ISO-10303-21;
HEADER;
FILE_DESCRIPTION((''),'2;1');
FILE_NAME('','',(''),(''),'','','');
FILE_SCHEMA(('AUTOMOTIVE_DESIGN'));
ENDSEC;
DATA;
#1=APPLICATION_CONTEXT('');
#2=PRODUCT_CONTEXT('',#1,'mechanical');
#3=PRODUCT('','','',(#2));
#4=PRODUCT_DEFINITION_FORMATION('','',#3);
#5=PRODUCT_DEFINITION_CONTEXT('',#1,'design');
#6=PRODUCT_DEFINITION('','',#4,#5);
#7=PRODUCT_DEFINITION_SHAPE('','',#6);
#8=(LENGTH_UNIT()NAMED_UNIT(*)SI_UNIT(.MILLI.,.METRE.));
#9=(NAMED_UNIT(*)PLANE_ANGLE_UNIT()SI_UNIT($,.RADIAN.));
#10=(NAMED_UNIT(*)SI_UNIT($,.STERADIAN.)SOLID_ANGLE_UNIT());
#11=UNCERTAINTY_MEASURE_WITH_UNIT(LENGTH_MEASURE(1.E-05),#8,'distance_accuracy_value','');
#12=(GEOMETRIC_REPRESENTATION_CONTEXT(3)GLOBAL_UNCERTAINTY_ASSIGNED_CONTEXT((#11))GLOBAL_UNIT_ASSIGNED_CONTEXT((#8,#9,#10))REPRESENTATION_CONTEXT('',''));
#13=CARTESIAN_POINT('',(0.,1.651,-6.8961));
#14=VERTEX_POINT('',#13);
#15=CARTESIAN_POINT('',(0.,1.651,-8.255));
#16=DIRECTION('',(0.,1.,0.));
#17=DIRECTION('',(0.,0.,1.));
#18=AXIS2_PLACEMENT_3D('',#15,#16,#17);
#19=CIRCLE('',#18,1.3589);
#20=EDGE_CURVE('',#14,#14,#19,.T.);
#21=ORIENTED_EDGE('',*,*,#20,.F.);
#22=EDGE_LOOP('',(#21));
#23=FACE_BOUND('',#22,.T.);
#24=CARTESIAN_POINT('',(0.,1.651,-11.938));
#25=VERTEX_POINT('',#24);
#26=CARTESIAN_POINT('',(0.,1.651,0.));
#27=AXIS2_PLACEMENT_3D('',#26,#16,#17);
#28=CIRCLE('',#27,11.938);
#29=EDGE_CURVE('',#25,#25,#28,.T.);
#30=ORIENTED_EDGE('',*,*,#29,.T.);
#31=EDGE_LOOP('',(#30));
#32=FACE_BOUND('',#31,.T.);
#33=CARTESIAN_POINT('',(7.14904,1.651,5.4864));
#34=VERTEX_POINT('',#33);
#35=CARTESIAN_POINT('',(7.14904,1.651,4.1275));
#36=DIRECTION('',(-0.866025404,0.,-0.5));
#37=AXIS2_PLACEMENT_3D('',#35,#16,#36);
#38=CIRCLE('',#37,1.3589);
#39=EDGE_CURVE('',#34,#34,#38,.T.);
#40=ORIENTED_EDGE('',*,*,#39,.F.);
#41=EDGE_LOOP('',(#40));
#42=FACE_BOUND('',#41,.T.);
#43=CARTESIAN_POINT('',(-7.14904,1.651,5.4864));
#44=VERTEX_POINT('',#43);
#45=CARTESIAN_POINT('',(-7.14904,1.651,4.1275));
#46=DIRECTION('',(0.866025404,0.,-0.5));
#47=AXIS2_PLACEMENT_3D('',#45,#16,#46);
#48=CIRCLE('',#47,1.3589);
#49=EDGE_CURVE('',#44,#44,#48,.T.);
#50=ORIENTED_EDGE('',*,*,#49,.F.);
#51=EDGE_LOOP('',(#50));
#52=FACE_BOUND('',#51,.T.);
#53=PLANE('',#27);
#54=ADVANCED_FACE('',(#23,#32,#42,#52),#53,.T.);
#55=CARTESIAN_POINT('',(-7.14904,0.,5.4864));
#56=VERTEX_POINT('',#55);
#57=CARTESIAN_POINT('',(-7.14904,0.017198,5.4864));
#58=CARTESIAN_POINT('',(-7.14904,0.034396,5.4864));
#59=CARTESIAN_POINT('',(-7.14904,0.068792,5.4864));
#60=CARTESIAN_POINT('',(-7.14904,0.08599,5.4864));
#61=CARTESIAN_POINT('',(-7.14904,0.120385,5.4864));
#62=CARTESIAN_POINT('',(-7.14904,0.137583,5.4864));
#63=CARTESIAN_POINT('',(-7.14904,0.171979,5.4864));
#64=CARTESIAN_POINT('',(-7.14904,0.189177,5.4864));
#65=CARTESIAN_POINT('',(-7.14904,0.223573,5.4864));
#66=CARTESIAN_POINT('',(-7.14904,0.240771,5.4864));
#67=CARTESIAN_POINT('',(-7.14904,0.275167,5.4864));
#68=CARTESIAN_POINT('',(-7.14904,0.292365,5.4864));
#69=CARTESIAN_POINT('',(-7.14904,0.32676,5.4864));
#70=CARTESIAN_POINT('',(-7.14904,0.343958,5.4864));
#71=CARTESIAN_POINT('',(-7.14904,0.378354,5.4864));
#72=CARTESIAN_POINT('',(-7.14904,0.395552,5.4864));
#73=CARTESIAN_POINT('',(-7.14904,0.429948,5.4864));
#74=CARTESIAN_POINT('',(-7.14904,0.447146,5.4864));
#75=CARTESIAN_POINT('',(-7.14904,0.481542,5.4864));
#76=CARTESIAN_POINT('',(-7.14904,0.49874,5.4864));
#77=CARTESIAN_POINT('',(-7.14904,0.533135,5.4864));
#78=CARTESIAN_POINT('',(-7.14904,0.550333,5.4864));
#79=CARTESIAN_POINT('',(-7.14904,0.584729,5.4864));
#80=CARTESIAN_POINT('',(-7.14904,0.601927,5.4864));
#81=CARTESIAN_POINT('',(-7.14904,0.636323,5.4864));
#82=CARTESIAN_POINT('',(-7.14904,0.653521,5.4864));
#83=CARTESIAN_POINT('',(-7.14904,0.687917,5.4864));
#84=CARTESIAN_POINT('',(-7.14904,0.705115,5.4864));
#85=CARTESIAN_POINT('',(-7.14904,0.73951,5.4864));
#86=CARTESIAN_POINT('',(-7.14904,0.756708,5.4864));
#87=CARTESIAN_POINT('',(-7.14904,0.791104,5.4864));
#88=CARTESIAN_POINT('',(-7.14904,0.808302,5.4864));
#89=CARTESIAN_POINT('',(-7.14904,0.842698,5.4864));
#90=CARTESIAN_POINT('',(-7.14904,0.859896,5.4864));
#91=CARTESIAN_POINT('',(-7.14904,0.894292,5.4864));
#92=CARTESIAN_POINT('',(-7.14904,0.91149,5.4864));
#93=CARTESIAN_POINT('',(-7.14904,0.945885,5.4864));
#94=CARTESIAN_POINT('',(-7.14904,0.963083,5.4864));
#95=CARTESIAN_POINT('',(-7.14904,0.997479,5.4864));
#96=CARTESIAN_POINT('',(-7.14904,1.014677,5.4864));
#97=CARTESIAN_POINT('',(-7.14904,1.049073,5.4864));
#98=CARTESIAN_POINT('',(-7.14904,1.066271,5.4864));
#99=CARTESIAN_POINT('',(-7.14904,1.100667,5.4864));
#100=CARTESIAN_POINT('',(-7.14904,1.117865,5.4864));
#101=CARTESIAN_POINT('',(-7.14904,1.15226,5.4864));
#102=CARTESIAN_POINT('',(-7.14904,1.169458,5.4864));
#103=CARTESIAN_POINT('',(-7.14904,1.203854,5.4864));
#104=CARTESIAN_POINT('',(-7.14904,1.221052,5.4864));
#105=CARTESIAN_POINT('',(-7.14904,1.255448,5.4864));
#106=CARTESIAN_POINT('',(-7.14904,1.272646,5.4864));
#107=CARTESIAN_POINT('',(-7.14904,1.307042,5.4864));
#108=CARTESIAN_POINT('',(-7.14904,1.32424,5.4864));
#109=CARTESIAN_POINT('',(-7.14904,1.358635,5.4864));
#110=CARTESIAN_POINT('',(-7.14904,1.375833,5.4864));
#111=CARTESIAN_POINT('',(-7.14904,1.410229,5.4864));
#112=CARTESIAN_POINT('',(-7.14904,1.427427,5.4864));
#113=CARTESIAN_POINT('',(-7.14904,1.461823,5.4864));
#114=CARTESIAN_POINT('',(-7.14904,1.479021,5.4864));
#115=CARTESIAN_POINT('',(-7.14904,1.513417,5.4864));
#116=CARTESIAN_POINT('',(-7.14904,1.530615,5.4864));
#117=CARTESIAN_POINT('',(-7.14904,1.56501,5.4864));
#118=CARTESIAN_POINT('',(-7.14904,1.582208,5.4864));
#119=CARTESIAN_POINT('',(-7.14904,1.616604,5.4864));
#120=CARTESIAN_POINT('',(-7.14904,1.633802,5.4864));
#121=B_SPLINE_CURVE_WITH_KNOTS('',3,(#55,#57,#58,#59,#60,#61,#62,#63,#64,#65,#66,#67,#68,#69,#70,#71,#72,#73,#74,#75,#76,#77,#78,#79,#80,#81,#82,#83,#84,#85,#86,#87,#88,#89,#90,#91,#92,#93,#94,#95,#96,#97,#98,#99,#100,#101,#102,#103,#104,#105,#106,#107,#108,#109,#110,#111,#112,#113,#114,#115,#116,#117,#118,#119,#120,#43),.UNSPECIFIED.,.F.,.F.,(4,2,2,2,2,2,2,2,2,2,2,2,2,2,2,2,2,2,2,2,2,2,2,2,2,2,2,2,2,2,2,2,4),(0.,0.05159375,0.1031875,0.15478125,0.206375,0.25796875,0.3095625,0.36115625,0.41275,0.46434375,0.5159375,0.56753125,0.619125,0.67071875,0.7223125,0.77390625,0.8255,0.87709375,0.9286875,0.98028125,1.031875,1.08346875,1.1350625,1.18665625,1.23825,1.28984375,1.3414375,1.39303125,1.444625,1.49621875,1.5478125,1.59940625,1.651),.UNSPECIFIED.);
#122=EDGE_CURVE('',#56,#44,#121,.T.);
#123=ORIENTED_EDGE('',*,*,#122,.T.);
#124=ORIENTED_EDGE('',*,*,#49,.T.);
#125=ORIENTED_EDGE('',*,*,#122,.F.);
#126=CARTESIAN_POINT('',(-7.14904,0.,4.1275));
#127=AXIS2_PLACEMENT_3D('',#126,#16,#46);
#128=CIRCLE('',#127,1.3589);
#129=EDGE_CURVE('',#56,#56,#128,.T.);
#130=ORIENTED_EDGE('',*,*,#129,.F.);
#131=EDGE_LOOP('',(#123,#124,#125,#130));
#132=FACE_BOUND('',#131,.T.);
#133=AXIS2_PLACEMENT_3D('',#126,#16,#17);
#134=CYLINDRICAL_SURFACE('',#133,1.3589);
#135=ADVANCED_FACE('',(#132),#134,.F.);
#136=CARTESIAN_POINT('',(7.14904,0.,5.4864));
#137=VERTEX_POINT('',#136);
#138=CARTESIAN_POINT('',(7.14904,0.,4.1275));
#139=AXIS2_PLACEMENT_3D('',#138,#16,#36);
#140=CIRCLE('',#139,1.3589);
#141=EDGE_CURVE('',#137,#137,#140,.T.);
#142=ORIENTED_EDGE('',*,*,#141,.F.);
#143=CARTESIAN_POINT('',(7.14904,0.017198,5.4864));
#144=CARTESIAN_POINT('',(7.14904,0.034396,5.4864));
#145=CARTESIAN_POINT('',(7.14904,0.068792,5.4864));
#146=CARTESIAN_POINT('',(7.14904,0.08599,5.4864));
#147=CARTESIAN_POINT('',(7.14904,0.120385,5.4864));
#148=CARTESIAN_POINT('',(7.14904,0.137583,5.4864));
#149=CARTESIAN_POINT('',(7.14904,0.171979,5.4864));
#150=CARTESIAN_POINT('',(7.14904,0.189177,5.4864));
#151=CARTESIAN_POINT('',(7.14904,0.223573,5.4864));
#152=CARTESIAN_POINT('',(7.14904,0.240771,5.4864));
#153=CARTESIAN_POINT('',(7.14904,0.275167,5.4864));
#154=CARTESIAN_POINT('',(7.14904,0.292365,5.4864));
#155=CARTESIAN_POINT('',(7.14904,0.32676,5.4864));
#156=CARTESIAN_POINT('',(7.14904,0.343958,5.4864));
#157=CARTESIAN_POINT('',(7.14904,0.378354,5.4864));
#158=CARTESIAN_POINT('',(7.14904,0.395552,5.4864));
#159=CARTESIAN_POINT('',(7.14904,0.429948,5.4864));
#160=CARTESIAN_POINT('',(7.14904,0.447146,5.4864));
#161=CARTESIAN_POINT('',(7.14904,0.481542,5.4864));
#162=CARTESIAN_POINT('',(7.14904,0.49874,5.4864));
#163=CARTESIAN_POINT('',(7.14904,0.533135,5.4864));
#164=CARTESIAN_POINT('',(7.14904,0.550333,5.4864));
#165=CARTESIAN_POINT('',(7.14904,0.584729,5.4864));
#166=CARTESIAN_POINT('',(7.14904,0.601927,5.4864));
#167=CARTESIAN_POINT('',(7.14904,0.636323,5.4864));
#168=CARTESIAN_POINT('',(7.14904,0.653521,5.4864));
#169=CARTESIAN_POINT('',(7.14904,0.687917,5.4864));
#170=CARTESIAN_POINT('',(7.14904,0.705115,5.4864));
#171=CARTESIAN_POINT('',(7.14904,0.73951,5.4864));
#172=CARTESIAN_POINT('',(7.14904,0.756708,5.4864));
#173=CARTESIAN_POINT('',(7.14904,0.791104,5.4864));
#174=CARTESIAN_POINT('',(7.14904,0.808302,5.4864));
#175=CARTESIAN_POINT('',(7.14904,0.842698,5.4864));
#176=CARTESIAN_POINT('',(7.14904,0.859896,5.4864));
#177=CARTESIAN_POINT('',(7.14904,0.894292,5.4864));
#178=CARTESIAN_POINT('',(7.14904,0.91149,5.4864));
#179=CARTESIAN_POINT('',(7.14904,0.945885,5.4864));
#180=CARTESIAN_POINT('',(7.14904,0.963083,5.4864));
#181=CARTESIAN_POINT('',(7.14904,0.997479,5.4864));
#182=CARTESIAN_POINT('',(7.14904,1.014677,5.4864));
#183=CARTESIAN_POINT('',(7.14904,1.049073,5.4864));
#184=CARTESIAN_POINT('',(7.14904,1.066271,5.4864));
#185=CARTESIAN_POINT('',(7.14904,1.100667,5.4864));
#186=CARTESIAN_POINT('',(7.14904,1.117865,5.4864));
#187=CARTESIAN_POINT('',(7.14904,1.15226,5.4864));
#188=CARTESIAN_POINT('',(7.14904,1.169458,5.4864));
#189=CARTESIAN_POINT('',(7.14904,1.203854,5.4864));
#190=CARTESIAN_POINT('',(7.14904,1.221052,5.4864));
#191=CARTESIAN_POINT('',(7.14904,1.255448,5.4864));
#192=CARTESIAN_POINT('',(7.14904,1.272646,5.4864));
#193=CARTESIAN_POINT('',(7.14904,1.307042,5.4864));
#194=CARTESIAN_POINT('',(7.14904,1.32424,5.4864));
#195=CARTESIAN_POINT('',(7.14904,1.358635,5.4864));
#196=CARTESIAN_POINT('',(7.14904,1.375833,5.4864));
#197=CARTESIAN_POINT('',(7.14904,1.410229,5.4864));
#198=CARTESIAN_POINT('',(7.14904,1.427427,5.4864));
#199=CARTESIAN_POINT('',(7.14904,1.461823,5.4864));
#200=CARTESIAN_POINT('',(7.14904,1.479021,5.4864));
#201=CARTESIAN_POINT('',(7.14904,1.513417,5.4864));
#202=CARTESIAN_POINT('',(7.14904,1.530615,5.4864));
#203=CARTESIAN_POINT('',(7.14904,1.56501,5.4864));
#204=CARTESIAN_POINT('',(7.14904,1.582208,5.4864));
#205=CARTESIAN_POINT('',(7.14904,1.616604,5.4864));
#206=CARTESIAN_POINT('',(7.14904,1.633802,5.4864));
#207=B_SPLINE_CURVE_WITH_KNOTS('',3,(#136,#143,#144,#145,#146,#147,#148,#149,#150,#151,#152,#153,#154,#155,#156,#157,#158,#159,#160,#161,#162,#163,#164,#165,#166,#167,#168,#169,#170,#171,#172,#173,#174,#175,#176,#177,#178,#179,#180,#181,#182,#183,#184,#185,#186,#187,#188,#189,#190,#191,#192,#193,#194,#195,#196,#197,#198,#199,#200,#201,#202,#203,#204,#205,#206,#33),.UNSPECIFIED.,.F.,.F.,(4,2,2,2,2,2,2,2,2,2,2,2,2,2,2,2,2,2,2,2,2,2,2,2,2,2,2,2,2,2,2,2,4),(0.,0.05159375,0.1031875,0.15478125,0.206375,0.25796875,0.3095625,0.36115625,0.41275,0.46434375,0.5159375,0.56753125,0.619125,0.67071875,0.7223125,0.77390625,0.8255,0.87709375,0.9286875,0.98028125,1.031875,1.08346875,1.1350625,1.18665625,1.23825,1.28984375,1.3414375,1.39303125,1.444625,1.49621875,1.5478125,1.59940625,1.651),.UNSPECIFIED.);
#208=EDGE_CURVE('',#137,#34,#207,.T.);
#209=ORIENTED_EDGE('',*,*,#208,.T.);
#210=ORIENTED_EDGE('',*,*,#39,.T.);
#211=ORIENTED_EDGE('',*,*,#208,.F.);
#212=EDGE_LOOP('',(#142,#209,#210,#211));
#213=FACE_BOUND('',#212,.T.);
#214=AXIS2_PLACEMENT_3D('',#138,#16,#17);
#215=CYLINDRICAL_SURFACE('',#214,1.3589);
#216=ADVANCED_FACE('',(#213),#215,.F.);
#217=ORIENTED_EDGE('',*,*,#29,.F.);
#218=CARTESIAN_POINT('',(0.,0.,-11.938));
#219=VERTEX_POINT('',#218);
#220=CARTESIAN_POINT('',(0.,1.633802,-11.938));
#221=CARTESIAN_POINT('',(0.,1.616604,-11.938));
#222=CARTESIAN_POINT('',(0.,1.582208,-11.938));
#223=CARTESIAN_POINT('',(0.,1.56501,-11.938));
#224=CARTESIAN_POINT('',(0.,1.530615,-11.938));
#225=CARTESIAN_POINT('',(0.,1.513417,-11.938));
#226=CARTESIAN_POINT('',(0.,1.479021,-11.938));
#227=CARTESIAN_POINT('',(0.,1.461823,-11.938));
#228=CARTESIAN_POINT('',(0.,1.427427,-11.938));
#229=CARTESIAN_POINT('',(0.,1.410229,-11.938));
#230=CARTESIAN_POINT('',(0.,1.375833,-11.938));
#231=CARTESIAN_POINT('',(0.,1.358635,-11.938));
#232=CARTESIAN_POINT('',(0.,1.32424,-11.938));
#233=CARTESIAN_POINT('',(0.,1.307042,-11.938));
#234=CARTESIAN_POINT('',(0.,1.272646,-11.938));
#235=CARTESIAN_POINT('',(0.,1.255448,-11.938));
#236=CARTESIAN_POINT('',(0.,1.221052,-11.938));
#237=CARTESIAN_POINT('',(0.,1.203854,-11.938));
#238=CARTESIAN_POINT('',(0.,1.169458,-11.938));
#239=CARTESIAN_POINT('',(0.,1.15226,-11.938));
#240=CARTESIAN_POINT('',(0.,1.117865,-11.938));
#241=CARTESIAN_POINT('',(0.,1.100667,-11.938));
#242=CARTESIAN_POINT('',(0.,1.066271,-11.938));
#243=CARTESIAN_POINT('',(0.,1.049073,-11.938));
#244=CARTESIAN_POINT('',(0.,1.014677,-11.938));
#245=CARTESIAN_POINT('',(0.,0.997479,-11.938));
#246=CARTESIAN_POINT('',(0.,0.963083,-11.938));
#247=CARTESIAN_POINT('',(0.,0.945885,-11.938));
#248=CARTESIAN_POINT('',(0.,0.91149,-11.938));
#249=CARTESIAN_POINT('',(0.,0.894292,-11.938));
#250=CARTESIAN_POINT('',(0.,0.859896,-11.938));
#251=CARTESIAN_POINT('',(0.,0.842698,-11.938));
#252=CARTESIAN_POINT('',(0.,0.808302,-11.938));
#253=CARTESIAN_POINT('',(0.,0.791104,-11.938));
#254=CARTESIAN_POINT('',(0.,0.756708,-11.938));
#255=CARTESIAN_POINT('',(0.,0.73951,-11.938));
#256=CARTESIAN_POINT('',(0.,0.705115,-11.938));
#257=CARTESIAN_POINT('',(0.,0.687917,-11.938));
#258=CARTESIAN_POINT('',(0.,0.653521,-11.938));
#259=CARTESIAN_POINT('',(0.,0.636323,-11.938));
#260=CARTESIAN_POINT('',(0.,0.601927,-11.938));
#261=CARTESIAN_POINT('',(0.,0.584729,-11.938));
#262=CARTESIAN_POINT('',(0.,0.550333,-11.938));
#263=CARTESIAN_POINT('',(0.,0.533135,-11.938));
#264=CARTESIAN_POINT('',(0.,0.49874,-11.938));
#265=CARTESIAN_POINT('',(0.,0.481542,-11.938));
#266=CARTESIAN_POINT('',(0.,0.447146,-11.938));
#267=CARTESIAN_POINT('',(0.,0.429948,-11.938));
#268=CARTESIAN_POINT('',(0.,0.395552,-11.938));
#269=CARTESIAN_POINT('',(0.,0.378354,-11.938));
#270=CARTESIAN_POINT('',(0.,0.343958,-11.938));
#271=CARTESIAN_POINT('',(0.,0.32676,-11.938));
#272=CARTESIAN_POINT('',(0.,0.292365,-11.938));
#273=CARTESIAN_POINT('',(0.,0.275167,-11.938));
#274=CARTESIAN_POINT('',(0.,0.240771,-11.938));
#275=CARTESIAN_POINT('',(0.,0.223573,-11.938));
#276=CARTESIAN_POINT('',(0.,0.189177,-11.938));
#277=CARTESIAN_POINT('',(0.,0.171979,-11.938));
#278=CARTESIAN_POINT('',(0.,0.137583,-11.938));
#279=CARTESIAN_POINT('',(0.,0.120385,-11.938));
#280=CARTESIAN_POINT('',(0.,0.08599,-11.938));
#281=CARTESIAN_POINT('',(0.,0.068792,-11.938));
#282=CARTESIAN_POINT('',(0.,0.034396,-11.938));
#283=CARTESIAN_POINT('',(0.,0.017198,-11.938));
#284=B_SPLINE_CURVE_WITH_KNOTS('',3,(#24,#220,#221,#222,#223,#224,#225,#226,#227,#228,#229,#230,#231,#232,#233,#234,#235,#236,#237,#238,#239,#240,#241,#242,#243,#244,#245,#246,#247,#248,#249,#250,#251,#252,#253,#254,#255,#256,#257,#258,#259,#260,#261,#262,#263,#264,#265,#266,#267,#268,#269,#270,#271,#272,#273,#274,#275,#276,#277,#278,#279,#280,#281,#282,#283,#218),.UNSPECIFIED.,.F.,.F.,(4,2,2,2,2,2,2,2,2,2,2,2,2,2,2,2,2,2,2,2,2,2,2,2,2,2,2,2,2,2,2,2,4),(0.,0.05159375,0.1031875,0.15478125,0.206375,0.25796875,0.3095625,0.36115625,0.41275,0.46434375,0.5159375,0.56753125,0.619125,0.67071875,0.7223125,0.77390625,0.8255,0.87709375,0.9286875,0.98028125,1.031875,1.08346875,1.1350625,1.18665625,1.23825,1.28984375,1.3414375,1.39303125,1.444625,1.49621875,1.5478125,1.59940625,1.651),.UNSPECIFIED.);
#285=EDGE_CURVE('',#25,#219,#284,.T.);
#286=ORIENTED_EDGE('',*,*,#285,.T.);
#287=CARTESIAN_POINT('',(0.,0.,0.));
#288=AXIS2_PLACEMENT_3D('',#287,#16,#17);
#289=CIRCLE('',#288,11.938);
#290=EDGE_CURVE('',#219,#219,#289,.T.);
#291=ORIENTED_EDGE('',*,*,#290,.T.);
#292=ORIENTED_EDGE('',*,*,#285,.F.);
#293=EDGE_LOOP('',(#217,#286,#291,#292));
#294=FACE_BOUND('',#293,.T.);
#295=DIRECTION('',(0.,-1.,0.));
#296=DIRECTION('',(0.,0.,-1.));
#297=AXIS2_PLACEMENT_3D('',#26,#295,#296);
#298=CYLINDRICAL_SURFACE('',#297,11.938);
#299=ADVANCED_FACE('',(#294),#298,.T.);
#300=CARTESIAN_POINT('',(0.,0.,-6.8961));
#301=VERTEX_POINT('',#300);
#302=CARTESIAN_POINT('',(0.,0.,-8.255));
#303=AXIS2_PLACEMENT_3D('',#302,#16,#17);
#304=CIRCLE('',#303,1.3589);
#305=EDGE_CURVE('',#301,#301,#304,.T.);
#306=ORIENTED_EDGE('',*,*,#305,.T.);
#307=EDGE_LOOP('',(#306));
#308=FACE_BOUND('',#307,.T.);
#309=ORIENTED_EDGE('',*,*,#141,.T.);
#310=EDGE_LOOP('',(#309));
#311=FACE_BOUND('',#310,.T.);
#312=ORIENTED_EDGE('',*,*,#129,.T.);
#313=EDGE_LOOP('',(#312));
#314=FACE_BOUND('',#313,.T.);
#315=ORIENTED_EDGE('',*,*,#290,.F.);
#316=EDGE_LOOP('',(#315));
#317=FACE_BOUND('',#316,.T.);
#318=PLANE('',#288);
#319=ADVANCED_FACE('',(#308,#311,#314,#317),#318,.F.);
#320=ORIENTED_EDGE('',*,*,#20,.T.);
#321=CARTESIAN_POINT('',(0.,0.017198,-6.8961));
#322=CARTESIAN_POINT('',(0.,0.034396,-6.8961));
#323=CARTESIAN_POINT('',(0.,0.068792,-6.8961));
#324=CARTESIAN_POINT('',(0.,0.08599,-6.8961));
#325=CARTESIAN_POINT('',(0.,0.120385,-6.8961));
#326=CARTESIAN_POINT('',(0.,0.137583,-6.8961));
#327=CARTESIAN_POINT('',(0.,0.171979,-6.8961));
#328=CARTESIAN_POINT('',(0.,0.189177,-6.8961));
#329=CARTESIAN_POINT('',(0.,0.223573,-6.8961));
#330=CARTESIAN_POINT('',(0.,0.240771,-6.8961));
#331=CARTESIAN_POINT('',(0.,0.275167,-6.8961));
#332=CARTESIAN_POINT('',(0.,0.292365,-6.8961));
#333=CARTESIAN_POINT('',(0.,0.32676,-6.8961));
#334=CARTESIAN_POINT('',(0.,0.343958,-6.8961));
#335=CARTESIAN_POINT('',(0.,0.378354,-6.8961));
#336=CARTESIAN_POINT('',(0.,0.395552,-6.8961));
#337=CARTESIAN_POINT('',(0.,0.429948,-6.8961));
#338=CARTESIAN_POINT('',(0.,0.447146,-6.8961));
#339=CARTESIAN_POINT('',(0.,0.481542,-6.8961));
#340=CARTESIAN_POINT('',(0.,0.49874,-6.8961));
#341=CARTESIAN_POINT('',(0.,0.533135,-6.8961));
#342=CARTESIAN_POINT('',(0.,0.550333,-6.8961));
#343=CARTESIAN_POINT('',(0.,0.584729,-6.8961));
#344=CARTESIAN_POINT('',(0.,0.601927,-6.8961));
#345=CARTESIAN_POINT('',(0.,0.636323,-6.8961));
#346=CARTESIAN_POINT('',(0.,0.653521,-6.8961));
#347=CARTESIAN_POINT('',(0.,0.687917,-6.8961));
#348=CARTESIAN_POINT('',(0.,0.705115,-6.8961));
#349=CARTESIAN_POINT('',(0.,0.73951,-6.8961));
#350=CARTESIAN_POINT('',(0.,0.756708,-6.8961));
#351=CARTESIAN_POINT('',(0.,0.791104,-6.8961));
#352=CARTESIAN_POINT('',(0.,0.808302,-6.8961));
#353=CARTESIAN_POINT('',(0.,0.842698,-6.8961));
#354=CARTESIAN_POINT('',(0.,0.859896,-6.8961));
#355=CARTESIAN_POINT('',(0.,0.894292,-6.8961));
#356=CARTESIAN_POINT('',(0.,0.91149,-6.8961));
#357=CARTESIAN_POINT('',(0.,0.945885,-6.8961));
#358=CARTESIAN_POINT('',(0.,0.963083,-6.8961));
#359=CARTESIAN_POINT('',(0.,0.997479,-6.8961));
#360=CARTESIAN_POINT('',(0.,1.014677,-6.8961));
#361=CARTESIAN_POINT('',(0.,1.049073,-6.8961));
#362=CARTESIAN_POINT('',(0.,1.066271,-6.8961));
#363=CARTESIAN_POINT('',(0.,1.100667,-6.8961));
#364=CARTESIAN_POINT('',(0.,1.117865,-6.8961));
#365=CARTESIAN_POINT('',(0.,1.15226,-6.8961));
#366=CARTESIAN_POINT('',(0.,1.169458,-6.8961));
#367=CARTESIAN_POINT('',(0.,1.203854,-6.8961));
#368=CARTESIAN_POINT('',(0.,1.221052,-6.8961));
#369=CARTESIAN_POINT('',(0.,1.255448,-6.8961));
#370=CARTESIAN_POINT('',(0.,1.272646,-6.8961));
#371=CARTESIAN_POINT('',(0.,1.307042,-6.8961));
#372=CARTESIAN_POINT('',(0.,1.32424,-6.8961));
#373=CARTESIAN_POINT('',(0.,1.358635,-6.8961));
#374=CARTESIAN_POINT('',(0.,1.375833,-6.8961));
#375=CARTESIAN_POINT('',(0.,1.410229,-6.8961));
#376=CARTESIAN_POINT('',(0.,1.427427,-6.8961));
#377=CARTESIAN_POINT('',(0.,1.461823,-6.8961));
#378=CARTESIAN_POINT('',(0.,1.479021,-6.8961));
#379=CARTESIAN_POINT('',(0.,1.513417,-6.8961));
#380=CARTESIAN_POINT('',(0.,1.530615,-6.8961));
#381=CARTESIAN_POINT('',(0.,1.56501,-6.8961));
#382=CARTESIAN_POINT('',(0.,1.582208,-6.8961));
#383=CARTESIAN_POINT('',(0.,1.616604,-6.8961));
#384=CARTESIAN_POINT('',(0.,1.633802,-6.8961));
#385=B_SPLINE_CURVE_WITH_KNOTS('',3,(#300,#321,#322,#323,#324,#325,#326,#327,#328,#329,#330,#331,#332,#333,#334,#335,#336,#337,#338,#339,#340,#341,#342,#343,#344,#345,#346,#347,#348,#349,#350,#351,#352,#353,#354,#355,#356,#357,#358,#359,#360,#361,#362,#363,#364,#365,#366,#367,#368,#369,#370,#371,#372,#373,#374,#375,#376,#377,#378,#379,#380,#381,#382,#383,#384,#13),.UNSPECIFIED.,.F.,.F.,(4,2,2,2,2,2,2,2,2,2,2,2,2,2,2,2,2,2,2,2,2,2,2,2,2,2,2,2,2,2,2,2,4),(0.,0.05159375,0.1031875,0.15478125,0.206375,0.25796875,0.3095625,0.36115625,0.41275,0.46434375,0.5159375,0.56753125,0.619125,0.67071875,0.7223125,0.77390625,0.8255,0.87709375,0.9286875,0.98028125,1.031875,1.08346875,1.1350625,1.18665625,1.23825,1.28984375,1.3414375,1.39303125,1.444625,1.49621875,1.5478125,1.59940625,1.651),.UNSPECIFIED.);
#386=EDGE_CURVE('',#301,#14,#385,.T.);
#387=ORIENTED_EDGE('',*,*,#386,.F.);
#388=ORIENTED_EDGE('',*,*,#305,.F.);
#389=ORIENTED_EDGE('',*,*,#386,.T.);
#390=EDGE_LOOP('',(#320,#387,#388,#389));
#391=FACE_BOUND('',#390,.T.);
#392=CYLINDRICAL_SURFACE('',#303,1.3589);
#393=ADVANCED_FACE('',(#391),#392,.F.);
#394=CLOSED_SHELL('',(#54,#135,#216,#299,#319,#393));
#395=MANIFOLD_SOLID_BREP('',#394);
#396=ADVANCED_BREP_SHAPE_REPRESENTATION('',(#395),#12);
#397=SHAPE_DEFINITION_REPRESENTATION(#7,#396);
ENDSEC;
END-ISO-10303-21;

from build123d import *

# Parameters (mm, degrees)
SKETCH1_R           = 11.938
BOSS_EXTRUDE1_DEPTH = 1.651
SKETCH2_R           = 1.3589
CUT_EXTRUDE1_DEPTH  = 1.651
CIRPATTERN1_COUNT   = 3


with BuildPart() as part:
    # Sketch1 → Boss-Extrude1 (new body)
    with BuildSketch(Plane(origin=(0, 0, 0), x_dir=(1, 0, 0), z_dir=(0, 1, 0))):
        with Locations(Location((0, 0, 0), (0, 0, 90))):
            Circle(SKETCH1_R)
    extrude(amount=BOSS_EXTRUDE1_DEPTH)

    # Sketch2 → Cut-Extrude1 (cut)
    with BuildSketch(Plane(origin=(0, 1.651, 0), x_dir=(1, 0, 0), z_dir=(0, 1, 0))):
        with Locations(Location((0, 8.255, 0), (0, 0, 270))):
            Circle(SKETCH2_R)
    cut_extrude1 = extrude(amount=-CUT_EXTRUDE1_DEPTH, mode=Mode.SUBTRACT)

    # CirPattern1: Cut-Extrude1 ×3 about axis
    cirpattern1_axis = Axis((0, 0, 0), (0, 1, 0))
    for i in range(1, CIRPATTERN1_COUNT):
        add(cut_extrude1.rotate(cirpattern1_axis, i * 360 / CIRPATTERN1_COUNT), mode=Mode.SUBTRACT)


solid = part.part
